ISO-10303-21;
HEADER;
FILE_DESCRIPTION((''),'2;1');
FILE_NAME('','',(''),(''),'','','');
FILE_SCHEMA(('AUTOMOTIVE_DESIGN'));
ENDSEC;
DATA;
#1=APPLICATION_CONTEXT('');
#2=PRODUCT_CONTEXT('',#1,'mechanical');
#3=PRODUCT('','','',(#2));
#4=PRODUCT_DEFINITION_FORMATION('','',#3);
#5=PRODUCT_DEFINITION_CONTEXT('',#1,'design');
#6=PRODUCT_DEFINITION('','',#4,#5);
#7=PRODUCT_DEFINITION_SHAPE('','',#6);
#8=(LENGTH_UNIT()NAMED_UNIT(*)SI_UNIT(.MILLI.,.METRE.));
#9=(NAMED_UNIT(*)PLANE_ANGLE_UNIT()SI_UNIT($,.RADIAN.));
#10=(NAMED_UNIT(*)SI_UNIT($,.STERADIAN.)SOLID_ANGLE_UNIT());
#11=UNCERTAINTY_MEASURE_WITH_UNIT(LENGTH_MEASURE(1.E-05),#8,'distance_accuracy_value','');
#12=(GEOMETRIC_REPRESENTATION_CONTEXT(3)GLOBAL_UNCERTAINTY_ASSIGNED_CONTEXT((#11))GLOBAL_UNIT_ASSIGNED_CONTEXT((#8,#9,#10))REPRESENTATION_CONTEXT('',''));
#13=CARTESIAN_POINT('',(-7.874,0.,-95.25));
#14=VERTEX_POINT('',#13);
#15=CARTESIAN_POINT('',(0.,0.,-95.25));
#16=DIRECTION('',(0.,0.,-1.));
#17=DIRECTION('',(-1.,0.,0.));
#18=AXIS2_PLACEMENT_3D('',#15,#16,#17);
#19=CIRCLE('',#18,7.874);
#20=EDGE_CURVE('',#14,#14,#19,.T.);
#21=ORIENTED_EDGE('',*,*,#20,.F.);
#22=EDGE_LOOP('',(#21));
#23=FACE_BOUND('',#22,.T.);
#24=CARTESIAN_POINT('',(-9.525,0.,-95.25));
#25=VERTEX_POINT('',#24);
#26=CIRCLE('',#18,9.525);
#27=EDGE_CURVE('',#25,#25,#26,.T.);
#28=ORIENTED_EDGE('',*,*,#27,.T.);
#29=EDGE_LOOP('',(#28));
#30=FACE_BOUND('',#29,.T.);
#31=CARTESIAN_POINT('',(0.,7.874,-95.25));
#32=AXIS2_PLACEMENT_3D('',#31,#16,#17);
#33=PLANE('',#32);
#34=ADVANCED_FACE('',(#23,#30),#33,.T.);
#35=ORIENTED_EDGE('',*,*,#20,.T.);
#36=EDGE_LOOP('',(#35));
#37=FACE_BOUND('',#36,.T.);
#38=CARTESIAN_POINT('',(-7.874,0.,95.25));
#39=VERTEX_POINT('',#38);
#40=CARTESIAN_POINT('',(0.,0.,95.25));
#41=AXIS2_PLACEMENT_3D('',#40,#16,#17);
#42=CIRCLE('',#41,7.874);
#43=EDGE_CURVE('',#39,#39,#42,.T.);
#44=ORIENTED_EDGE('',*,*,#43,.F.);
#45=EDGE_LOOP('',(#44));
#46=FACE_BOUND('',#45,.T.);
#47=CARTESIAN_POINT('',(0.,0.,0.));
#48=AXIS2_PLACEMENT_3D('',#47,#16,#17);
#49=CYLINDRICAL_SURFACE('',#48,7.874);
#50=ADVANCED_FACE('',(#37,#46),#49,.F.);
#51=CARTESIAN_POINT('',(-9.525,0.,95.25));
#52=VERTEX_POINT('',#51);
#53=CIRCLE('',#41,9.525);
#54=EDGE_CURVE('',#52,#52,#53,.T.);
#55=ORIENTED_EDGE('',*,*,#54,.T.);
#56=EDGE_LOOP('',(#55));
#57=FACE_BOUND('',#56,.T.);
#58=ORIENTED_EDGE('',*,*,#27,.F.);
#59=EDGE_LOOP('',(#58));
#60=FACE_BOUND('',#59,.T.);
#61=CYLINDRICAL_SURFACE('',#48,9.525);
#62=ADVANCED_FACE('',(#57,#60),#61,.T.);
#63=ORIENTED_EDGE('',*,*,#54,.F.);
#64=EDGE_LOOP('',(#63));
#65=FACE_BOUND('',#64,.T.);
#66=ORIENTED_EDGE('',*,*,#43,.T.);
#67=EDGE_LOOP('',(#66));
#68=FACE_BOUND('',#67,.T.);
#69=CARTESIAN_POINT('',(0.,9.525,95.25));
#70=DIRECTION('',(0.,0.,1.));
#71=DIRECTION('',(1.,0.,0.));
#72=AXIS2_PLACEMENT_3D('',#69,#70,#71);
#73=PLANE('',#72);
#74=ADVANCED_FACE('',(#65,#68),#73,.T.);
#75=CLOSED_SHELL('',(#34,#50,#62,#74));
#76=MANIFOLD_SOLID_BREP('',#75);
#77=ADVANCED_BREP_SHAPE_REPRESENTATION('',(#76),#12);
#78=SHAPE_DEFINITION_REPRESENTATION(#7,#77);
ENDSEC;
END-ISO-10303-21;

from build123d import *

# Parameters (mm, degrees)
SKETCH1_W = 190.5
SKETCH1_H = 1.651


with BuildPart() as part:
    # Sketch1 → Revolve1 (revolve)
    with BuildSketch(Plane(origin=(0, 0, 0), x_dir=(0, 0, -1), z_dir=(1, 0, 0))):
        with Locations((0, 8.6995)):
            Rectangle(SKETCH1_W, SKETCH1_H)
    revolve(axis=Axis((0, 0, 0), (0, 0, 1)))


solid = part.part
